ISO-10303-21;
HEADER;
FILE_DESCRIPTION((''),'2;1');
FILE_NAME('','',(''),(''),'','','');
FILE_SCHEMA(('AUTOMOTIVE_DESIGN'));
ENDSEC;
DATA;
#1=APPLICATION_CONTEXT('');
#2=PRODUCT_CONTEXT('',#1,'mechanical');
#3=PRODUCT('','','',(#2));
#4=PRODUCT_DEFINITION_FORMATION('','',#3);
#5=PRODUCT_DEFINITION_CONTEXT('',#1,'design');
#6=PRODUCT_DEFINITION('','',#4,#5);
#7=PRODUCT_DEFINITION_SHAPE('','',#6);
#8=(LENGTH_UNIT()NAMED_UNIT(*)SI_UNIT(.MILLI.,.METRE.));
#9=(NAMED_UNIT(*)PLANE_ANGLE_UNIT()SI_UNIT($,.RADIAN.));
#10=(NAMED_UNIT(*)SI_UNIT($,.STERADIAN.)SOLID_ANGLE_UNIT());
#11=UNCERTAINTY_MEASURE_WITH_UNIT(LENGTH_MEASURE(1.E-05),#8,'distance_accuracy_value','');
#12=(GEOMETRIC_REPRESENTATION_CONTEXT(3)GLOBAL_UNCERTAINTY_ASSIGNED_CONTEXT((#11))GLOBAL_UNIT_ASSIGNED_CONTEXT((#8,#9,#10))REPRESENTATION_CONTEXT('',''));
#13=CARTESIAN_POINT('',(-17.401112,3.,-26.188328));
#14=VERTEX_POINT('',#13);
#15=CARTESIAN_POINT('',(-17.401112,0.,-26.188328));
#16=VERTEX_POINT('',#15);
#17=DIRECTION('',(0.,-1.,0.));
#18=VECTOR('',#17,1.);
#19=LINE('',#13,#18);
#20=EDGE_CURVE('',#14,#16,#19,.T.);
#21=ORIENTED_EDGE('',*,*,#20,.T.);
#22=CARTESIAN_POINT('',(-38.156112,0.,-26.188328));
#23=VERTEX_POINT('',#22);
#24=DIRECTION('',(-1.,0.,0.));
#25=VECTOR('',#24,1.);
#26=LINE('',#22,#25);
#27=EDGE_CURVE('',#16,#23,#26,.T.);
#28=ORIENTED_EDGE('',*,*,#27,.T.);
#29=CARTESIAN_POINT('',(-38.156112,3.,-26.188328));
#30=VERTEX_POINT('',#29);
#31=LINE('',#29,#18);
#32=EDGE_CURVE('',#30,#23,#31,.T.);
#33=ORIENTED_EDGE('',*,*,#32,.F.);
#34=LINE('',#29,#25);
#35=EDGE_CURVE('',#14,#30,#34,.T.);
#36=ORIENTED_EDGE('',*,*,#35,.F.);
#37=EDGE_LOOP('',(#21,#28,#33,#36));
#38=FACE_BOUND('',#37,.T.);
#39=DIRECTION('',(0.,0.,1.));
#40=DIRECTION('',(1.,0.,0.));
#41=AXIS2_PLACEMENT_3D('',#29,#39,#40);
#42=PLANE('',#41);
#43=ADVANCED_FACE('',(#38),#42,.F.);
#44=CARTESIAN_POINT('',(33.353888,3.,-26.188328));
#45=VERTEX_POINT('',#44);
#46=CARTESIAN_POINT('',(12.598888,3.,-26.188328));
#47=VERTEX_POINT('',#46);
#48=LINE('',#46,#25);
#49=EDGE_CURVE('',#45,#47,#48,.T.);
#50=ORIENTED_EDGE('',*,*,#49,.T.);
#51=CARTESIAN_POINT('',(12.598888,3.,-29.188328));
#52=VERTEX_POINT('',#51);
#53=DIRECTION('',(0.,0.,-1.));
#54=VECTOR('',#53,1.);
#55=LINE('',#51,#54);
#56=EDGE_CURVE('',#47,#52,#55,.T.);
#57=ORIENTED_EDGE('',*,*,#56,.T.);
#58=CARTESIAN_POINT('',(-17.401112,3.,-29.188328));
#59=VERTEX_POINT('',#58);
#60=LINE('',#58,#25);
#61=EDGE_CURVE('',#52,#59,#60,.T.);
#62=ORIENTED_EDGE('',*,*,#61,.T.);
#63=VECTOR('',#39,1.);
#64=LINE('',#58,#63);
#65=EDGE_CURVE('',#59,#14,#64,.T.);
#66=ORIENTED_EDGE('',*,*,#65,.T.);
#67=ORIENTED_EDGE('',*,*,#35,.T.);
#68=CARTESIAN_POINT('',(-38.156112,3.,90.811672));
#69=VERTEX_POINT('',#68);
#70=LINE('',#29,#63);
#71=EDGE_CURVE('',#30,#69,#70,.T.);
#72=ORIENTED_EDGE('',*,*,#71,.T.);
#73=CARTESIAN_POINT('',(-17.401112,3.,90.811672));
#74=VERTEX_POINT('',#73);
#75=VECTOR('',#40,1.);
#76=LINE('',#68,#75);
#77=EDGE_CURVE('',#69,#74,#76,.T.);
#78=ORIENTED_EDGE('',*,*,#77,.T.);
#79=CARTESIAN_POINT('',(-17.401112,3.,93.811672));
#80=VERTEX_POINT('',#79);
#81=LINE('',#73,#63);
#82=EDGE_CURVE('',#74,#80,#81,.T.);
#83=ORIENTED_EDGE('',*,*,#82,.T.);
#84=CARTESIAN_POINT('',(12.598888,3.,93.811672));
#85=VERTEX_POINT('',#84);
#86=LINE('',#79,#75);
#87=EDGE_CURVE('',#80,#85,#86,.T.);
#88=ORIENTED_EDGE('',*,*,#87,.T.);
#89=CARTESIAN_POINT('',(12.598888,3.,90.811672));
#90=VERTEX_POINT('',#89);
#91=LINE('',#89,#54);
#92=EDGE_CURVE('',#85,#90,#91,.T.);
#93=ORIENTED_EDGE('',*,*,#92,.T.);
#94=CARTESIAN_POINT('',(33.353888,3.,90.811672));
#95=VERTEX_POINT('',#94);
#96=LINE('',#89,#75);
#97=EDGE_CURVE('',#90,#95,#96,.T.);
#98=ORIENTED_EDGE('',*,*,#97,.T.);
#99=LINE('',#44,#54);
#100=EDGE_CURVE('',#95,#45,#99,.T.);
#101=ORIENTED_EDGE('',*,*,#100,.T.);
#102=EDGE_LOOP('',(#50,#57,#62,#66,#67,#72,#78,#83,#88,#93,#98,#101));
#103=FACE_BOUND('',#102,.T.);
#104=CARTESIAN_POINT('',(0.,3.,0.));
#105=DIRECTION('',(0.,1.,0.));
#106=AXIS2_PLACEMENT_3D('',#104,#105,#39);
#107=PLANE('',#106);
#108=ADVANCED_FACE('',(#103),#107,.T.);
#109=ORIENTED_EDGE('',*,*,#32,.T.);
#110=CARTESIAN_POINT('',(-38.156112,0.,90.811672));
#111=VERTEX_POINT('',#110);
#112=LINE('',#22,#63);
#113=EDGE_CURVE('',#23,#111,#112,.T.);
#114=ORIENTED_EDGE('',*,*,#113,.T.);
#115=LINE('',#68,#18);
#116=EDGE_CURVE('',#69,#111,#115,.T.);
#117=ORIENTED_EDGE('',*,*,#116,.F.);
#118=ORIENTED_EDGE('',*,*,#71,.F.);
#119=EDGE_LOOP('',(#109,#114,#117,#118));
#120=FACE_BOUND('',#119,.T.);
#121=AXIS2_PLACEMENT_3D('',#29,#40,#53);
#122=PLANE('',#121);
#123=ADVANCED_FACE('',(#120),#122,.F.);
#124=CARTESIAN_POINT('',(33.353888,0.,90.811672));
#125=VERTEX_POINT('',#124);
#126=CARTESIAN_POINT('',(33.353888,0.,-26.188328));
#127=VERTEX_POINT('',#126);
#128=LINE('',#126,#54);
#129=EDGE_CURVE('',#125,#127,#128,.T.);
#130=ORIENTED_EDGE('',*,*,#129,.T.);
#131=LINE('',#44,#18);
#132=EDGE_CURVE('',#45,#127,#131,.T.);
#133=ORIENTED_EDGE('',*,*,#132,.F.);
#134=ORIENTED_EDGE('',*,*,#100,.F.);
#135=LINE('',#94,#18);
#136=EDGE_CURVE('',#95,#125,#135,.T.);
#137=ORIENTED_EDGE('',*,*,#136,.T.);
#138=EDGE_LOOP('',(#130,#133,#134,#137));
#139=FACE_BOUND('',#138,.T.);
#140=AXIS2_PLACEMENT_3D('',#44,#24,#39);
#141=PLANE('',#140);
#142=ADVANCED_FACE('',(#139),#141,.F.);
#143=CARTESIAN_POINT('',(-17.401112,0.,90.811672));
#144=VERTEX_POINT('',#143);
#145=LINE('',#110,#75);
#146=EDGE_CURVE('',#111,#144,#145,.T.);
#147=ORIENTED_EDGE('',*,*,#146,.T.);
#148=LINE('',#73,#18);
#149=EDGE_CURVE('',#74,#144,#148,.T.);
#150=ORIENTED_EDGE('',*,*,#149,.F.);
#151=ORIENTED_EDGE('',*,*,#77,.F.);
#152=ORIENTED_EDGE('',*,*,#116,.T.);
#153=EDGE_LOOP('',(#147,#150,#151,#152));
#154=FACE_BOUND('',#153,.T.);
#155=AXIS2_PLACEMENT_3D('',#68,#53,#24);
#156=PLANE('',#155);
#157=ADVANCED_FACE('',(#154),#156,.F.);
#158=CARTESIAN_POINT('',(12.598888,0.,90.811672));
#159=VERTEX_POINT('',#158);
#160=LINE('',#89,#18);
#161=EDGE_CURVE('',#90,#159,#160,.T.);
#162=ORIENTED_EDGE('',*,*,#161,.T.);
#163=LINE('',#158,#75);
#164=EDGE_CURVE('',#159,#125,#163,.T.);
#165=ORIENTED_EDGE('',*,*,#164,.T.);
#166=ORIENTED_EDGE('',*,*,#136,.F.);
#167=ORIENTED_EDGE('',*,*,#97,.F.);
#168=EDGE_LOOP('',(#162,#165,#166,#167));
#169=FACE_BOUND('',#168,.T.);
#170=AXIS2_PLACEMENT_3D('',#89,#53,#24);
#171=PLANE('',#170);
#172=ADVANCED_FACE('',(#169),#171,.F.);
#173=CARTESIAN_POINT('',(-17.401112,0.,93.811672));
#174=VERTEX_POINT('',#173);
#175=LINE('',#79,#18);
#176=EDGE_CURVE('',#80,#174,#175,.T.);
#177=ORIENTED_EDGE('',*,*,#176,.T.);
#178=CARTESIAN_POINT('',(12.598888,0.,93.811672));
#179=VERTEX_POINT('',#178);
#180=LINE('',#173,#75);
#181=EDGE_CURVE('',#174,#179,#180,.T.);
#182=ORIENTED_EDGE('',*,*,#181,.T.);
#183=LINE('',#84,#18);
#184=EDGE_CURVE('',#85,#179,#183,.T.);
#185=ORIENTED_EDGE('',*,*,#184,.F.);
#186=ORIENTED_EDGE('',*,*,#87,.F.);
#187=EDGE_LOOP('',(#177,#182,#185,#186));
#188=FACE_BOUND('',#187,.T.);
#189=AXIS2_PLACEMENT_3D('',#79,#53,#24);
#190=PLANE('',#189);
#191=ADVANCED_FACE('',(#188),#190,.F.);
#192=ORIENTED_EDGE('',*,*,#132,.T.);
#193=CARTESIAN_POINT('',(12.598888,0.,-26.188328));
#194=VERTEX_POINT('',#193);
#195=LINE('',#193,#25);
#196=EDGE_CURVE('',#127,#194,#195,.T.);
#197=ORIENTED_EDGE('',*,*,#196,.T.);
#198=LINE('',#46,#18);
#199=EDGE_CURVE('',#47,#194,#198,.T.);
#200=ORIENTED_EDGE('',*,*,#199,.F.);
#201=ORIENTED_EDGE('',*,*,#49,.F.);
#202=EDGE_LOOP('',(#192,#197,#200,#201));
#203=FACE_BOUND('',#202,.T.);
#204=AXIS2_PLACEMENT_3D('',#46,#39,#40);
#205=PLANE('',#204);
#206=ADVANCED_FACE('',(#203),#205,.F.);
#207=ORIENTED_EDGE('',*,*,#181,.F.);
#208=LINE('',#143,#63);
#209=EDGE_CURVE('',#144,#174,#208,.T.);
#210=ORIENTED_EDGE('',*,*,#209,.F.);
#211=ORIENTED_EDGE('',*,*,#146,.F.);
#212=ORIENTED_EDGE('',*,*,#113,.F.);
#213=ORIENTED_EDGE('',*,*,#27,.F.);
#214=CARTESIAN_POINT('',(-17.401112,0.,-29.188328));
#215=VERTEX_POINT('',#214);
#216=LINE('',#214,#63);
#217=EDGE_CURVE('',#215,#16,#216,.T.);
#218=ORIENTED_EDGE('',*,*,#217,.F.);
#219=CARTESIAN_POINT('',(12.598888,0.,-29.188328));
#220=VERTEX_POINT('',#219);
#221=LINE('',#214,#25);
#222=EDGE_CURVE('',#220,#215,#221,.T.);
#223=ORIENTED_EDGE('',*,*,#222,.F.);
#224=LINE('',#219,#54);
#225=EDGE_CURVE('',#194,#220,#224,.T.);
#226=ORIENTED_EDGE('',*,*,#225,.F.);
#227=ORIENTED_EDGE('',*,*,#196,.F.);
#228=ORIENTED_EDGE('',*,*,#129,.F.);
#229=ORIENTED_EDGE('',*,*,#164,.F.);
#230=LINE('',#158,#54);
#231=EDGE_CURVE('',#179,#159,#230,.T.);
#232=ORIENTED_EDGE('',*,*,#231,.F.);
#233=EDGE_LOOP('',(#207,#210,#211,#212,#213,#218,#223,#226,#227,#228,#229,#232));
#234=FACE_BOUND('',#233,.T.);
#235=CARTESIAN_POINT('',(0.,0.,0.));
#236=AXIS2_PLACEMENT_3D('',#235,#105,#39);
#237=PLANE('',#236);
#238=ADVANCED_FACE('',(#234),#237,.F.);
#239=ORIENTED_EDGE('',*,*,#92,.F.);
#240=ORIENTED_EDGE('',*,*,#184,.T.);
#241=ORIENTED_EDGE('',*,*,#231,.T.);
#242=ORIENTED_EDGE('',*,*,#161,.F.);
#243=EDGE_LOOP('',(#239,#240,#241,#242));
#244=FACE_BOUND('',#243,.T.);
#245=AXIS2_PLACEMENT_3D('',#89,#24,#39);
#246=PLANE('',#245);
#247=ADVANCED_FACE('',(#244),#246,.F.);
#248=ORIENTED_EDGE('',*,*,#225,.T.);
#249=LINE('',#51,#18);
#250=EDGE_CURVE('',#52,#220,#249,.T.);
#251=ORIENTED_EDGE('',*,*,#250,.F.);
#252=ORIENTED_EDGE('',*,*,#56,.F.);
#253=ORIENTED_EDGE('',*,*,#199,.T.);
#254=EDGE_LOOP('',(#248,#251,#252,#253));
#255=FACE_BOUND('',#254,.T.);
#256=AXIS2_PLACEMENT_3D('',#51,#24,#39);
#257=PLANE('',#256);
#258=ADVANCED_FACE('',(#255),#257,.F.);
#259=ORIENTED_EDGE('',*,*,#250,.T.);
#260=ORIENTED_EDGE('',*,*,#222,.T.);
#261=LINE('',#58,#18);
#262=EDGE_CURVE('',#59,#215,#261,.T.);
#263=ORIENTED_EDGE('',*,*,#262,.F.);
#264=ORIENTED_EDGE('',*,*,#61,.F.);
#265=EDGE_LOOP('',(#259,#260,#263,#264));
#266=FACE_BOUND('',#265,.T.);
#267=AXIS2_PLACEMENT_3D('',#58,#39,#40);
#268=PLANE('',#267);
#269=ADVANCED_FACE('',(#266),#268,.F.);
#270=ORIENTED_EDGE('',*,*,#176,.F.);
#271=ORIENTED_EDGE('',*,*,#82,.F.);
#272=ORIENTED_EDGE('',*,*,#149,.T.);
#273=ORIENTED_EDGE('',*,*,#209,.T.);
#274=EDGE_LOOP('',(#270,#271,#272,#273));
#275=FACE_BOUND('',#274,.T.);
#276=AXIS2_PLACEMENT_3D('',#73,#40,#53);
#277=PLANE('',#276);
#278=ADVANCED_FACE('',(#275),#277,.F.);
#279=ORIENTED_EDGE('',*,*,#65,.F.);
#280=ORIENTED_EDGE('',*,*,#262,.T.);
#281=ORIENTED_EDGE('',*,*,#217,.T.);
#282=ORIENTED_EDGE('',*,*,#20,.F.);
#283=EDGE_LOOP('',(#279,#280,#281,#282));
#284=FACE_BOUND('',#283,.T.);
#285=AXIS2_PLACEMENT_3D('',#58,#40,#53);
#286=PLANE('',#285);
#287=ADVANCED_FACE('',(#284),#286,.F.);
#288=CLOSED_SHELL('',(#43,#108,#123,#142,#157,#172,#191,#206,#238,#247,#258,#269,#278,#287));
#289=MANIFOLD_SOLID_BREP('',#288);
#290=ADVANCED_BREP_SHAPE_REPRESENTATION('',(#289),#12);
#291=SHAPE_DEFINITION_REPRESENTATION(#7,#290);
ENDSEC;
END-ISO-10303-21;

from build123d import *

# Parameters (mm, degrees)
BOSS_EXTRUDE1_DEPTH = 3


with BuildPart() as part:
    # Sketch1 → Boss-Extrude1 (new body)
    with BuildSketch(Plane(origin=(0, 0, 0), x_dir=(1, 0, 0), z_dir=(0, 1, 0))):
        Polygon((-17.401111732, 29.188327609), (12.598888268, 29.188327609), (12.598888268, 26.188327609), (33.353888268, 26.188327609), (33.353888268, -90.811672391), (12.598888268, -90.811672391), (12.598888268, -93.811672391), (-17.401111732, -93.811672391), (-17.401111732, -90.811672391), (-38.156111732, -90.811672391), (-38.156111732, 26.188327609), (-17.401111732, 26.188327609), align=None)
    extrude(amount=BOSS_EXTRUDE1_DEPTH)


solid = part.part
